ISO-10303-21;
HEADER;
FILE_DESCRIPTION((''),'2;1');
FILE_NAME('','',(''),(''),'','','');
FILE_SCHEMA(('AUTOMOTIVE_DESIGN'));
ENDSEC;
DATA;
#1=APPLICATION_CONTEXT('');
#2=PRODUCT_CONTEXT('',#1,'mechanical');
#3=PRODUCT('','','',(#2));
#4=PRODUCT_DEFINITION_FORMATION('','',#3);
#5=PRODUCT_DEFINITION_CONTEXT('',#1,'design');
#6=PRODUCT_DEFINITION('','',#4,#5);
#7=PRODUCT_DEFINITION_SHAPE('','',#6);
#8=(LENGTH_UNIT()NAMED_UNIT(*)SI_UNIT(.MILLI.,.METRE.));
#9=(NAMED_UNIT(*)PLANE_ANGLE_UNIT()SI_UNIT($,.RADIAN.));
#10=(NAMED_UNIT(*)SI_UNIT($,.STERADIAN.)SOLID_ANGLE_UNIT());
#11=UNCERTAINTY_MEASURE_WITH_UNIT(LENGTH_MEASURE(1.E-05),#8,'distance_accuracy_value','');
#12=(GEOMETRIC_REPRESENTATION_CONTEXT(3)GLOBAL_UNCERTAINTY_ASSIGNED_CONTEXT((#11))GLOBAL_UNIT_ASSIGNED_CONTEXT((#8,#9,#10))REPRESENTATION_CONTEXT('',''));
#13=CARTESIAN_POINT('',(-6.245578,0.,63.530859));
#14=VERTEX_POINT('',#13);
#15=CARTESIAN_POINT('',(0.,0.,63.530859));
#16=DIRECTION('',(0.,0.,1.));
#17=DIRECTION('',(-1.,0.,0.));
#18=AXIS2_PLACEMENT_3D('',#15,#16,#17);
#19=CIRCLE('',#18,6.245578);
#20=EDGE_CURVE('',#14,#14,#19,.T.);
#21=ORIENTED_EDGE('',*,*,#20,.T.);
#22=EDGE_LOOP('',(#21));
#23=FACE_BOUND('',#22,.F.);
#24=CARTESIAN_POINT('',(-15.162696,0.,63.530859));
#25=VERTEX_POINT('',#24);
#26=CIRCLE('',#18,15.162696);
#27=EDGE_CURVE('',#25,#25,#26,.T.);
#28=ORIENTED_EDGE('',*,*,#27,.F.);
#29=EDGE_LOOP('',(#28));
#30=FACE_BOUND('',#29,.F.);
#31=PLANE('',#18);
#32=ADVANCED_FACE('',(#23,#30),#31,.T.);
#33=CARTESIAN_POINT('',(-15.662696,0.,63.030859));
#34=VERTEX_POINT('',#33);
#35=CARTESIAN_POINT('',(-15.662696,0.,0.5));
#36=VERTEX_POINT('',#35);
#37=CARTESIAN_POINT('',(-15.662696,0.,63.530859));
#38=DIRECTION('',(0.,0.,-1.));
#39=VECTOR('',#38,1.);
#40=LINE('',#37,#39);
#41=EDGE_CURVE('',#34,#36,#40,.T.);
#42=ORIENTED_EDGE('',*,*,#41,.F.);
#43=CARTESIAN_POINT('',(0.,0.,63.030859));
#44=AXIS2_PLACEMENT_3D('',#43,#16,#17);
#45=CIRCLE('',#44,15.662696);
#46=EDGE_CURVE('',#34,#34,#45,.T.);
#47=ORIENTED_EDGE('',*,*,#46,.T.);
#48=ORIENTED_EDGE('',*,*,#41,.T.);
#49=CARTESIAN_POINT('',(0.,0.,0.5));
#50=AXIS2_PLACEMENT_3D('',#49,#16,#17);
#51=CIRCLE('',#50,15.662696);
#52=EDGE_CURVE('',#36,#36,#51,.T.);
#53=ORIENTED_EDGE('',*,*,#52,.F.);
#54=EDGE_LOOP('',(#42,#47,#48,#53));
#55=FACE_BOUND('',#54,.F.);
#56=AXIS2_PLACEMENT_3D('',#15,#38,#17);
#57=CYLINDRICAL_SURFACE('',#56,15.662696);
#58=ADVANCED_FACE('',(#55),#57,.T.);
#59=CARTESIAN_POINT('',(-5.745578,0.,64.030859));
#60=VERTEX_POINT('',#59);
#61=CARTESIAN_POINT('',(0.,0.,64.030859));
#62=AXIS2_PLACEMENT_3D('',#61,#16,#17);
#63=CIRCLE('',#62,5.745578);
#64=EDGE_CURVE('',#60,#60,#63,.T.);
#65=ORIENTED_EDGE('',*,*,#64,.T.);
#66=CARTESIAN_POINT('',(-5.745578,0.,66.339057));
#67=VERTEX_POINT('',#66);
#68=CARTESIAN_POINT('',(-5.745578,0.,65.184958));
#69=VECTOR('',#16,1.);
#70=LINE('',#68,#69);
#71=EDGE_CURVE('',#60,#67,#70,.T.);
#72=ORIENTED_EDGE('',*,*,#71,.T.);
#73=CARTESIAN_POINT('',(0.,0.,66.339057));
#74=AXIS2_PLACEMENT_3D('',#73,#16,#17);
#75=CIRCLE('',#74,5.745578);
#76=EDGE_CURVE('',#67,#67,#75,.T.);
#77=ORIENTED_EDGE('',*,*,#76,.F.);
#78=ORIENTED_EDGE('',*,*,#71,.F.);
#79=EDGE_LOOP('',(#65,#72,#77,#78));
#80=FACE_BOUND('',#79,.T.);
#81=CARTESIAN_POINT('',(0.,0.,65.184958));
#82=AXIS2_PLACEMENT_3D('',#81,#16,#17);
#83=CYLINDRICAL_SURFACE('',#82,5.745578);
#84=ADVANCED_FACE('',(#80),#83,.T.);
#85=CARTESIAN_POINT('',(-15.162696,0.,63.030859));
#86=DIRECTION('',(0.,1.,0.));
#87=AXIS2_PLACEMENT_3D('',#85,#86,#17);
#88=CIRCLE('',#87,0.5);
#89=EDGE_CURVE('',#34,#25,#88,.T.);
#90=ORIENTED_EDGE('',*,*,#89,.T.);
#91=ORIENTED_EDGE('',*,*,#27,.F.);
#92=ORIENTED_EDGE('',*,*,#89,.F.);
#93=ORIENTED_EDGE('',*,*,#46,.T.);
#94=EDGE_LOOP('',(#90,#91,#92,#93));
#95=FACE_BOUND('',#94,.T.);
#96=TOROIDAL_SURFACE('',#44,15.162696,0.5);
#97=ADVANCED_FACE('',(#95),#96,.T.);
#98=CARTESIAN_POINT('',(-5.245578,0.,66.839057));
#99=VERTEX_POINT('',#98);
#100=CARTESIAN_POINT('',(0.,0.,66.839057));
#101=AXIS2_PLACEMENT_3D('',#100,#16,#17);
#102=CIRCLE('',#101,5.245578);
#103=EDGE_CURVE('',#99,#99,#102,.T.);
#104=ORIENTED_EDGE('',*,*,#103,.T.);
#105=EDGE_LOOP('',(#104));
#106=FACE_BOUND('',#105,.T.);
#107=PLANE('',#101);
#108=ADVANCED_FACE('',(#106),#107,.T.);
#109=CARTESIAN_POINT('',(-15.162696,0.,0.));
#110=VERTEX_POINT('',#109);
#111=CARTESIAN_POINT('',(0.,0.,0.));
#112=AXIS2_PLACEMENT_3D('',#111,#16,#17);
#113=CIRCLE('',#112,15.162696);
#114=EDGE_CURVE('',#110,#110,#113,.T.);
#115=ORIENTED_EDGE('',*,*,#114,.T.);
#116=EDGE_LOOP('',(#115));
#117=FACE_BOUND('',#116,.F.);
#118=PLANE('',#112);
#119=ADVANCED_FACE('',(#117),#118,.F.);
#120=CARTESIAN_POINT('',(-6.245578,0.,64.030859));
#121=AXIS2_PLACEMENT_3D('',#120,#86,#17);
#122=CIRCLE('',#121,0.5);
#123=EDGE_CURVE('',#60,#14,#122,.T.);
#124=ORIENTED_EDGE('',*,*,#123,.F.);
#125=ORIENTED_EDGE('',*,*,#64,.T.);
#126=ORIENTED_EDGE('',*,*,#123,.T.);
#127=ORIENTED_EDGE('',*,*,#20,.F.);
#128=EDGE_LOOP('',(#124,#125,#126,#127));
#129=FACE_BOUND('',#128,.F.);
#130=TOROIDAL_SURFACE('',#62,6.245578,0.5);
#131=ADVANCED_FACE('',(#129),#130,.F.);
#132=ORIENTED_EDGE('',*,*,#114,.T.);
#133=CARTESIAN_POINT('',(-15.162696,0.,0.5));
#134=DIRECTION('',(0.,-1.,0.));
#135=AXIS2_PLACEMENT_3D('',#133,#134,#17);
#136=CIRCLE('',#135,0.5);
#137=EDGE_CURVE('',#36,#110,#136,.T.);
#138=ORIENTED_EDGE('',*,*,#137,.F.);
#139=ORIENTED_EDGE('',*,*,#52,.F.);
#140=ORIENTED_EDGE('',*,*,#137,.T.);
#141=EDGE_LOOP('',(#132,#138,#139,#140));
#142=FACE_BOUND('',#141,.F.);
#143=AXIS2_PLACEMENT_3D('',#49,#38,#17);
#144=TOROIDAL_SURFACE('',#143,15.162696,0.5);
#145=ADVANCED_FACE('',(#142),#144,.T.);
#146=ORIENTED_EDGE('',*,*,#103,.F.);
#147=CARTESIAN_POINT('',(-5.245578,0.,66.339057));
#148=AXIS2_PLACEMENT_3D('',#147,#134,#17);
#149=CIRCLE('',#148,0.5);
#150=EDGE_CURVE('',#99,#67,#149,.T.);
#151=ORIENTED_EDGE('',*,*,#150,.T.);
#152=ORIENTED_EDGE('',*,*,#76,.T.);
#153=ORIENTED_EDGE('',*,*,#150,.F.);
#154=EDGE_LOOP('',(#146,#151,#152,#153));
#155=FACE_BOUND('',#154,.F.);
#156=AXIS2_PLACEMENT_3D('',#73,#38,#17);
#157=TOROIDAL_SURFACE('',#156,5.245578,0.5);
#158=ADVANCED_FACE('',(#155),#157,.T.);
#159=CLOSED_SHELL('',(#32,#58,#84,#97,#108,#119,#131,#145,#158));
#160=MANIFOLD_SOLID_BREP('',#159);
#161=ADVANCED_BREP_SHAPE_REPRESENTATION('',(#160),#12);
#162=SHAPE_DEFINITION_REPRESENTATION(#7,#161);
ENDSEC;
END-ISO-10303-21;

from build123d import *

# Parameters (mm, degrees)
F0_W = 5.745578
F0_H = 3.308199
F2_R = 0.5


with BuildPart() as f1:
    # F0 (on Front) → F1 (revolve)
    with BuildSketch(Plane.XZ):
        Polygon((-15.662696, 0), (0, 0), (0, 63.530859), (-5.745578, 63.530859), (-15.662696, 63.530859), align=None)
        with Locations((-2.872789, 65.184958)):
            Rectangle(F0_W, F0_H)
    revolve(axis=Axis((0, 0, 31.765429), (0, 0, 1)))

    # F2
    f2_edges = [f1.edges().sort_by_distance(p)[0] for p in [
        (5.745578, 0, 66.839058),
        (5.745578, 0, 63.530859),
        (15.662696, 0, 63.530859),
        (15.662696, 0, 0),
    ]]
    fillet(f2_edges, radius=F2_R)


solid = f1.part
